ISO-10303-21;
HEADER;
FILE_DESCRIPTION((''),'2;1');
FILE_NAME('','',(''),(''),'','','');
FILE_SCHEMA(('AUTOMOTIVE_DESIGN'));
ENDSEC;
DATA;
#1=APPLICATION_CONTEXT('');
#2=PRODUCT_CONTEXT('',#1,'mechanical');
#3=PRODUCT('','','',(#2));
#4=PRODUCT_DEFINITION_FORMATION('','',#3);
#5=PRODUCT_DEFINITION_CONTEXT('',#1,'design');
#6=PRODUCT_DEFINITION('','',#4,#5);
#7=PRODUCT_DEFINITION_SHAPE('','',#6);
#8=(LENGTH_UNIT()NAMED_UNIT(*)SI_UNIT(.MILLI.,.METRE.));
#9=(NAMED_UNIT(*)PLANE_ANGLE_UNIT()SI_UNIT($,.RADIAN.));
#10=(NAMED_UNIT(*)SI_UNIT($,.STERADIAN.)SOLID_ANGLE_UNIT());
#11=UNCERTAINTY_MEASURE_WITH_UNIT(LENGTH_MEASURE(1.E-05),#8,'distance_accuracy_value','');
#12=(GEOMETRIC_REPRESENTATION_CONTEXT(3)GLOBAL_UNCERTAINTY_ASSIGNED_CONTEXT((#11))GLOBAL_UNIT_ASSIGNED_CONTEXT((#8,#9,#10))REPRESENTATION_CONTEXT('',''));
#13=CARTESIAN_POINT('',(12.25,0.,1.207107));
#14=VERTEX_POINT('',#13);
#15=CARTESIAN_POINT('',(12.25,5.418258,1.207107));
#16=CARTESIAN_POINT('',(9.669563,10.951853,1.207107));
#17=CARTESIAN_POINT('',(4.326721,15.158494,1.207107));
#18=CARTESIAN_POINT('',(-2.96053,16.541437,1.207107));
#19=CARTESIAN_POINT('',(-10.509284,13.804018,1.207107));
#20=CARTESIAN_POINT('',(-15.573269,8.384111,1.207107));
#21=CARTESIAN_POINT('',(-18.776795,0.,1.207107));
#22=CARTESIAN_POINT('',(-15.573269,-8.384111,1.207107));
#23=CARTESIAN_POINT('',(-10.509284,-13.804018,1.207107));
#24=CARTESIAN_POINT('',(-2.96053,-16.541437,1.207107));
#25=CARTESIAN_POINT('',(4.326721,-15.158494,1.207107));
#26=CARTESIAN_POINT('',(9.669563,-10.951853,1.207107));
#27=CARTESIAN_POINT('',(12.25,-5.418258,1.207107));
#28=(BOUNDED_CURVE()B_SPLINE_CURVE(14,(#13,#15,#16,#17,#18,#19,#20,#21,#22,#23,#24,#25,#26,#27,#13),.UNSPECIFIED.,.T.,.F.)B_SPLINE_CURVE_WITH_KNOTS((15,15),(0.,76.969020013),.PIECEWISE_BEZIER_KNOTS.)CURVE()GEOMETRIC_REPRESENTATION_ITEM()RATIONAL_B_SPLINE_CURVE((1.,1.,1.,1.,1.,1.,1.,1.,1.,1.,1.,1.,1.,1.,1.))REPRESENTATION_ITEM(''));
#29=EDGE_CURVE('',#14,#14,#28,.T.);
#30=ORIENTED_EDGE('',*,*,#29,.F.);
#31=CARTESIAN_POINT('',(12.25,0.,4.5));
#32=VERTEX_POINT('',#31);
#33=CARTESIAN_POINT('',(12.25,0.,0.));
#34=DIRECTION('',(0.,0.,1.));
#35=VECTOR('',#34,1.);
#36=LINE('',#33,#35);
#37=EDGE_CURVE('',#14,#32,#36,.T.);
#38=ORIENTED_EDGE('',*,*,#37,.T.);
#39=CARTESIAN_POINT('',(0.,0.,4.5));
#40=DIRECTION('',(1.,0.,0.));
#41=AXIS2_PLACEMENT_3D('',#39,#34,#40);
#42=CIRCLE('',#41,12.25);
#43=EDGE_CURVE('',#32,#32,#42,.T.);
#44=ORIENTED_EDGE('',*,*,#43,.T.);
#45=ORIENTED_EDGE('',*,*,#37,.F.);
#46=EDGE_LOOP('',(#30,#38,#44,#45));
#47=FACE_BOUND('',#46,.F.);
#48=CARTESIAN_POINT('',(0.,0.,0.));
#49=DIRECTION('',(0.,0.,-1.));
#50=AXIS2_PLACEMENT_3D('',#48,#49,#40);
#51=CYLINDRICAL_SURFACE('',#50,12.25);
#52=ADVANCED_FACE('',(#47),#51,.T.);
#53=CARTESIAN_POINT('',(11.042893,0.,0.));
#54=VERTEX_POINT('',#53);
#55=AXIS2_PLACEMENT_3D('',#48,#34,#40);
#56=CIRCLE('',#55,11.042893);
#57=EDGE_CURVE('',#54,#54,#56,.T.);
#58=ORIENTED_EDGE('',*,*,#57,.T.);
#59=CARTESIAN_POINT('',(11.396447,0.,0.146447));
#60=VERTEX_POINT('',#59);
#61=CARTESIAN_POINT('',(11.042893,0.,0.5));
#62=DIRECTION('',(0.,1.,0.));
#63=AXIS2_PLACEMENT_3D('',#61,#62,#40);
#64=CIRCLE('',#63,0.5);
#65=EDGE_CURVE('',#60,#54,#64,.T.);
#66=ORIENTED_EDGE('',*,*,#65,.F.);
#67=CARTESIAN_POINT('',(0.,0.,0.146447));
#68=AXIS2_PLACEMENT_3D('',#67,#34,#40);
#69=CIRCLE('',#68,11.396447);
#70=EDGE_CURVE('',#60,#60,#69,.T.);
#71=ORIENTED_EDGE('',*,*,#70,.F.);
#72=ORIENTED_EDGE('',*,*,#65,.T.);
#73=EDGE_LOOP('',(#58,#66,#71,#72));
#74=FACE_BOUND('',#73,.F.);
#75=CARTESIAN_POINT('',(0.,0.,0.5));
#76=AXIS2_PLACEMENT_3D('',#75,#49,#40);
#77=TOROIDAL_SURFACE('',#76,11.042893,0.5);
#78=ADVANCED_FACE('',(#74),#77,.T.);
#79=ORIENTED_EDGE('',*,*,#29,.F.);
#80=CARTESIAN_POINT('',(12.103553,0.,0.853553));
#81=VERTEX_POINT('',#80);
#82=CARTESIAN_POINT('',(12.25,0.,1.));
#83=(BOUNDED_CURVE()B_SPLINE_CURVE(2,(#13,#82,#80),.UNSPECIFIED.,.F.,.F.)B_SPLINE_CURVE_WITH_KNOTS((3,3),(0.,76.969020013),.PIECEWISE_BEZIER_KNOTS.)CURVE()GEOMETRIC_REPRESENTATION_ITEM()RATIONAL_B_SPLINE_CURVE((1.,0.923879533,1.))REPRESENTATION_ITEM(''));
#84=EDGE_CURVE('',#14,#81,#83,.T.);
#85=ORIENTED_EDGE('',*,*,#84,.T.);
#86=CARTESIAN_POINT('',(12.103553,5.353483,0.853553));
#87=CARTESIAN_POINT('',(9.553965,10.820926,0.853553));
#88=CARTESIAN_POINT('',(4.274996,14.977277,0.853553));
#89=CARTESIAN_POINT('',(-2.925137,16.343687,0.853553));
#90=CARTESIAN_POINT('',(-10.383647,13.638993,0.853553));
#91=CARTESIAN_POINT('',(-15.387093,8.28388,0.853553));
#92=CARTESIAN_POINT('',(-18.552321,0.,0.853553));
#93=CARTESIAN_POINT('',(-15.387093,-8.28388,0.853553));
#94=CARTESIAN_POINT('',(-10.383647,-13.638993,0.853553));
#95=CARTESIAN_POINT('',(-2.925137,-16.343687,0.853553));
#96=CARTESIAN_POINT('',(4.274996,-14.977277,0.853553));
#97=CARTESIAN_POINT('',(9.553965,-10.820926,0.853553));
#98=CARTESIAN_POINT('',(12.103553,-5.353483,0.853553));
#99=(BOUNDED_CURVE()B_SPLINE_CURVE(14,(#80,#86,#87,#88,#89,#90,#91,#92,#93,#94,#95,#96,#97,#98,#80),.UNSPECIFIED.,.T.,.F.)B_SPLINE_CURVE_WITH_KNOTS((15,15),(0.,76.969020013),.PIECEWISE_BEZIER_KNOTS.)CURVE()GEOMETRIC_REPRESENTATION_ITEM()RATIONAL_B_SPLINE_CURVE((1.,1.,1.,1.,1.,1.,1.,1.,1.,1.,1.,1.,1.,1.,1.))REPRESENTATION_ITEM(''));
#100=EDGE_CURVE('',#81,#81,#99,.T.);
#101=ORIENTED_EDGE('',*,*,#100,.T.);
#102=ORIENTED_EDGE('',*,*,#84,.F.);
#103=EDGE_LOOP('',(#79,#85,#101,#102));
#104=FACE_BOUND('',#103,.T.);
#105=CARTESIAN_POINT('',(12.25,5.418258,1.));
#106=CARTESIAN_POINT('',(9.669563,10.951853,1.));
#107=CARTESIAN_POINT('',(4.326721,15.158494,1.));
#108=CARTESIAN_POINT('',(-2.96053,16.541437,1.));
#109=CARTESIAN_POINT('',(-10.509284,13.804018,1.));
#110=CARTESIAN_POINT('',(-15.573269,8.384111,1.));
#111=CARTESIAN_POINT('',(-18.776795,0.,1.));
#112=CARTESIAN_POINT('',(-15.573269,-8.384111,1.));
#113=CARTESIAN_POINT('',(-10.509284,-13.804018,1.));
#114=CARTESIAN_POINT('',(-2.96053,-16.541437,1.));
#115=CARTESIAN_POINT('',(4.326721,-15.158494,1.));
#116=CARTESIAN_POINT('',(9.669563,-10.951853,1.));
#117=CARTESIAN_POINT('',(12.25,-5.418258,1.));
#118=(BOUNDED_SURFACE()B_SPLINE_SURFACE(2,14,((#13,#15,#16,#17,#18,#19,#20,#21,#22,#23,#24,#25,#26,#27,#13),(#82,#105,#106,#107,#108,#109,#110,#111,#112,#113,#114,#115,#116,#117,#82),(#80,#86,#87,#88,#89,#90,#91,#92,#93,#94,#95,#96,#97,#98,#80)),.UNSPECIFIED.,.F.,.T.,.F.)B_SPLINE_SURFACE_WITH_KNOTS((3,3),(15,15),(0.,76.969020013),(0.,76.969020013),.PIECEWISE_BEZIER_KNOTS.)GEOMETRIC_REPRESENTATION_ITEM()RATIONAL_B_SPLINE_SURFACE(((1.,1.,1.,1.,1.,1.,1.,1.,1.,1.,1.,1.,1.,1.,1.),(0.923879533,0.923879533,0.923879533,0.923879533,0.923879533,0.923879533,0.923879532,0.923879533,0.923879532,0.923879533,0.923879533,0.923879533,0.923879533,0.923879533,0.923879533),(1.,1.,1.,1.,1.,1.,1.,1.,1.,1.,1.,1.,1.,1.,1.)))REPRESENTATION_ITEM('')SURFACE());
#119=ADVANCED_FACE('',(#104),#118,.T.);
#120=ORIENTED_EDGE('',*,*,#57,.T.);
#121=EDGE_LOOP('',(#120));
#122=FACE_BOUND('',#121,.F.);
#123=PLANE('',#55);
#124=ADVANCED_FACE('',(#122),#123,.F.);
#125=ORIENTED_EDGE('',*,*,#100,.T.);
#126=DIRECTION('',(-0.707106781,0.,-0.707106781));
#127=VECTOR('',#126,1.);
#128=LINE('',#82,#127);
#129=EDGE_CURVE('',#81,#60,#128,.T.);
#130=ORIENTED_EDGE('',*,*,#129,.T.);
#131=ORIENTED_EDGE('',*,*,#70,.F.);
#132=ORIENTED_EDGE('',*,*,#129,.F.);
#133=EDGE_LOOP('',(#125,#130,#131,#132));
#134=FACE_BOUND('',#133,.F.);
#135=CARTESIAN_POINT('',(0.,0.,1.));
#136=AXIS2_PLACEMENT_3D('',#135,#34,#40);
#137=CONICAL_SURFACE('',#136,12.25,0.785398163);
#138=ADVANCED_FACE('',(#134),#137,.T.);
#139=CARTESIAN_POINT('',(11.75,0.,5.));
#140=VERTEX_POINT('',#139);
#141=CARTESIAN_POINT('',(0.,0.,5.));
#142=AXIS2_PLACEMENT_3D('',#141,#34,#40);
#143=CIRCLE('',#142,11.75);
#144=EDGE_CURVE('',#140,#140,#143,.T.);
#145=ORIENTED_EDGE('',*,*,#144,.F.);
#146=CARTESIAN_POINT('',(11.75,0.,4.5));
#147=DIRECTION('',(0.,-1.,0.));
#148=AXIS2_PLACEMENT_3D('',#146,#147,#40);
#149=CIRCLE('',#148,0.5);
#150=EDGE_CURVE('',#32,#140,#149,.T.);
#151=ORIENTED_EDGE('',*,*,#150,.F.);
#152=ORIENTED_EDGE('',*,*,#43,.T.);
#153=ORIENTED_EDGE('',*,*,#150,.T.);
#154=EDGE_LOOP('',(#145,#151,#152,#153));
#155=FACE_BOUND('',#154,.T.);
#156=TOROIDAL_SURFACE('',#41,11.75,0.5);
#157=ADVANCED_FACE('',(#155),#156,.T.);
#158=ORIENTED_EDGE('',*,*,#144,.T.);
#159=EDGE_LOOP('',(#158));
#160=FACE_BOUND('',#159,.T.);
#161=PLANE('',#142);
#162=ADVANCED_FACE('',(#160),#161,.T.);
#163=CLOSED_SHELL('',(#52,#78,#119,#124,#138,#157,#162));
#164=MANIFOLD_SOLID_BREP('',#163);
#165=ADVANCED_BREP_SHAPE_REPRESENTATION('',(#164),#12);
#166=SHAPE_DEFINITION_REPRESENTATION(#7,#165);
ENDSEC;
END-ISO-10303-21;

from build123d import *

# Parameters (mm, degrees)
F0_R     = 12.25
F1_DEPTH = 5
F2_SIZE  = 1
F3_R     = 0.5


with BuildPart() as f1:
    # F0 (on Top) → F1 (new body)
    with BuildSketch(Plane.XY):
        Circle(F0_R)
    extrude(amount=F1_DEPTH)

    # F2
    f2_edges = [f1.edges().sort_by_distance(p)[0] for p in [
        (-12.25, 0, 0),
    ]]
    chamfer(f2_edges, length=F2_SIZE)

    # F3
    f3_edges = [f1.edges().sort_by_distance(p)[0] for p in [
        (-12.25, 0, 5),
        (-12.25, 0, 1),
        (-11.25, 0, 0),
    ]]
    fillet(f3_edges, radius=F3_R)


solid = f1.part
